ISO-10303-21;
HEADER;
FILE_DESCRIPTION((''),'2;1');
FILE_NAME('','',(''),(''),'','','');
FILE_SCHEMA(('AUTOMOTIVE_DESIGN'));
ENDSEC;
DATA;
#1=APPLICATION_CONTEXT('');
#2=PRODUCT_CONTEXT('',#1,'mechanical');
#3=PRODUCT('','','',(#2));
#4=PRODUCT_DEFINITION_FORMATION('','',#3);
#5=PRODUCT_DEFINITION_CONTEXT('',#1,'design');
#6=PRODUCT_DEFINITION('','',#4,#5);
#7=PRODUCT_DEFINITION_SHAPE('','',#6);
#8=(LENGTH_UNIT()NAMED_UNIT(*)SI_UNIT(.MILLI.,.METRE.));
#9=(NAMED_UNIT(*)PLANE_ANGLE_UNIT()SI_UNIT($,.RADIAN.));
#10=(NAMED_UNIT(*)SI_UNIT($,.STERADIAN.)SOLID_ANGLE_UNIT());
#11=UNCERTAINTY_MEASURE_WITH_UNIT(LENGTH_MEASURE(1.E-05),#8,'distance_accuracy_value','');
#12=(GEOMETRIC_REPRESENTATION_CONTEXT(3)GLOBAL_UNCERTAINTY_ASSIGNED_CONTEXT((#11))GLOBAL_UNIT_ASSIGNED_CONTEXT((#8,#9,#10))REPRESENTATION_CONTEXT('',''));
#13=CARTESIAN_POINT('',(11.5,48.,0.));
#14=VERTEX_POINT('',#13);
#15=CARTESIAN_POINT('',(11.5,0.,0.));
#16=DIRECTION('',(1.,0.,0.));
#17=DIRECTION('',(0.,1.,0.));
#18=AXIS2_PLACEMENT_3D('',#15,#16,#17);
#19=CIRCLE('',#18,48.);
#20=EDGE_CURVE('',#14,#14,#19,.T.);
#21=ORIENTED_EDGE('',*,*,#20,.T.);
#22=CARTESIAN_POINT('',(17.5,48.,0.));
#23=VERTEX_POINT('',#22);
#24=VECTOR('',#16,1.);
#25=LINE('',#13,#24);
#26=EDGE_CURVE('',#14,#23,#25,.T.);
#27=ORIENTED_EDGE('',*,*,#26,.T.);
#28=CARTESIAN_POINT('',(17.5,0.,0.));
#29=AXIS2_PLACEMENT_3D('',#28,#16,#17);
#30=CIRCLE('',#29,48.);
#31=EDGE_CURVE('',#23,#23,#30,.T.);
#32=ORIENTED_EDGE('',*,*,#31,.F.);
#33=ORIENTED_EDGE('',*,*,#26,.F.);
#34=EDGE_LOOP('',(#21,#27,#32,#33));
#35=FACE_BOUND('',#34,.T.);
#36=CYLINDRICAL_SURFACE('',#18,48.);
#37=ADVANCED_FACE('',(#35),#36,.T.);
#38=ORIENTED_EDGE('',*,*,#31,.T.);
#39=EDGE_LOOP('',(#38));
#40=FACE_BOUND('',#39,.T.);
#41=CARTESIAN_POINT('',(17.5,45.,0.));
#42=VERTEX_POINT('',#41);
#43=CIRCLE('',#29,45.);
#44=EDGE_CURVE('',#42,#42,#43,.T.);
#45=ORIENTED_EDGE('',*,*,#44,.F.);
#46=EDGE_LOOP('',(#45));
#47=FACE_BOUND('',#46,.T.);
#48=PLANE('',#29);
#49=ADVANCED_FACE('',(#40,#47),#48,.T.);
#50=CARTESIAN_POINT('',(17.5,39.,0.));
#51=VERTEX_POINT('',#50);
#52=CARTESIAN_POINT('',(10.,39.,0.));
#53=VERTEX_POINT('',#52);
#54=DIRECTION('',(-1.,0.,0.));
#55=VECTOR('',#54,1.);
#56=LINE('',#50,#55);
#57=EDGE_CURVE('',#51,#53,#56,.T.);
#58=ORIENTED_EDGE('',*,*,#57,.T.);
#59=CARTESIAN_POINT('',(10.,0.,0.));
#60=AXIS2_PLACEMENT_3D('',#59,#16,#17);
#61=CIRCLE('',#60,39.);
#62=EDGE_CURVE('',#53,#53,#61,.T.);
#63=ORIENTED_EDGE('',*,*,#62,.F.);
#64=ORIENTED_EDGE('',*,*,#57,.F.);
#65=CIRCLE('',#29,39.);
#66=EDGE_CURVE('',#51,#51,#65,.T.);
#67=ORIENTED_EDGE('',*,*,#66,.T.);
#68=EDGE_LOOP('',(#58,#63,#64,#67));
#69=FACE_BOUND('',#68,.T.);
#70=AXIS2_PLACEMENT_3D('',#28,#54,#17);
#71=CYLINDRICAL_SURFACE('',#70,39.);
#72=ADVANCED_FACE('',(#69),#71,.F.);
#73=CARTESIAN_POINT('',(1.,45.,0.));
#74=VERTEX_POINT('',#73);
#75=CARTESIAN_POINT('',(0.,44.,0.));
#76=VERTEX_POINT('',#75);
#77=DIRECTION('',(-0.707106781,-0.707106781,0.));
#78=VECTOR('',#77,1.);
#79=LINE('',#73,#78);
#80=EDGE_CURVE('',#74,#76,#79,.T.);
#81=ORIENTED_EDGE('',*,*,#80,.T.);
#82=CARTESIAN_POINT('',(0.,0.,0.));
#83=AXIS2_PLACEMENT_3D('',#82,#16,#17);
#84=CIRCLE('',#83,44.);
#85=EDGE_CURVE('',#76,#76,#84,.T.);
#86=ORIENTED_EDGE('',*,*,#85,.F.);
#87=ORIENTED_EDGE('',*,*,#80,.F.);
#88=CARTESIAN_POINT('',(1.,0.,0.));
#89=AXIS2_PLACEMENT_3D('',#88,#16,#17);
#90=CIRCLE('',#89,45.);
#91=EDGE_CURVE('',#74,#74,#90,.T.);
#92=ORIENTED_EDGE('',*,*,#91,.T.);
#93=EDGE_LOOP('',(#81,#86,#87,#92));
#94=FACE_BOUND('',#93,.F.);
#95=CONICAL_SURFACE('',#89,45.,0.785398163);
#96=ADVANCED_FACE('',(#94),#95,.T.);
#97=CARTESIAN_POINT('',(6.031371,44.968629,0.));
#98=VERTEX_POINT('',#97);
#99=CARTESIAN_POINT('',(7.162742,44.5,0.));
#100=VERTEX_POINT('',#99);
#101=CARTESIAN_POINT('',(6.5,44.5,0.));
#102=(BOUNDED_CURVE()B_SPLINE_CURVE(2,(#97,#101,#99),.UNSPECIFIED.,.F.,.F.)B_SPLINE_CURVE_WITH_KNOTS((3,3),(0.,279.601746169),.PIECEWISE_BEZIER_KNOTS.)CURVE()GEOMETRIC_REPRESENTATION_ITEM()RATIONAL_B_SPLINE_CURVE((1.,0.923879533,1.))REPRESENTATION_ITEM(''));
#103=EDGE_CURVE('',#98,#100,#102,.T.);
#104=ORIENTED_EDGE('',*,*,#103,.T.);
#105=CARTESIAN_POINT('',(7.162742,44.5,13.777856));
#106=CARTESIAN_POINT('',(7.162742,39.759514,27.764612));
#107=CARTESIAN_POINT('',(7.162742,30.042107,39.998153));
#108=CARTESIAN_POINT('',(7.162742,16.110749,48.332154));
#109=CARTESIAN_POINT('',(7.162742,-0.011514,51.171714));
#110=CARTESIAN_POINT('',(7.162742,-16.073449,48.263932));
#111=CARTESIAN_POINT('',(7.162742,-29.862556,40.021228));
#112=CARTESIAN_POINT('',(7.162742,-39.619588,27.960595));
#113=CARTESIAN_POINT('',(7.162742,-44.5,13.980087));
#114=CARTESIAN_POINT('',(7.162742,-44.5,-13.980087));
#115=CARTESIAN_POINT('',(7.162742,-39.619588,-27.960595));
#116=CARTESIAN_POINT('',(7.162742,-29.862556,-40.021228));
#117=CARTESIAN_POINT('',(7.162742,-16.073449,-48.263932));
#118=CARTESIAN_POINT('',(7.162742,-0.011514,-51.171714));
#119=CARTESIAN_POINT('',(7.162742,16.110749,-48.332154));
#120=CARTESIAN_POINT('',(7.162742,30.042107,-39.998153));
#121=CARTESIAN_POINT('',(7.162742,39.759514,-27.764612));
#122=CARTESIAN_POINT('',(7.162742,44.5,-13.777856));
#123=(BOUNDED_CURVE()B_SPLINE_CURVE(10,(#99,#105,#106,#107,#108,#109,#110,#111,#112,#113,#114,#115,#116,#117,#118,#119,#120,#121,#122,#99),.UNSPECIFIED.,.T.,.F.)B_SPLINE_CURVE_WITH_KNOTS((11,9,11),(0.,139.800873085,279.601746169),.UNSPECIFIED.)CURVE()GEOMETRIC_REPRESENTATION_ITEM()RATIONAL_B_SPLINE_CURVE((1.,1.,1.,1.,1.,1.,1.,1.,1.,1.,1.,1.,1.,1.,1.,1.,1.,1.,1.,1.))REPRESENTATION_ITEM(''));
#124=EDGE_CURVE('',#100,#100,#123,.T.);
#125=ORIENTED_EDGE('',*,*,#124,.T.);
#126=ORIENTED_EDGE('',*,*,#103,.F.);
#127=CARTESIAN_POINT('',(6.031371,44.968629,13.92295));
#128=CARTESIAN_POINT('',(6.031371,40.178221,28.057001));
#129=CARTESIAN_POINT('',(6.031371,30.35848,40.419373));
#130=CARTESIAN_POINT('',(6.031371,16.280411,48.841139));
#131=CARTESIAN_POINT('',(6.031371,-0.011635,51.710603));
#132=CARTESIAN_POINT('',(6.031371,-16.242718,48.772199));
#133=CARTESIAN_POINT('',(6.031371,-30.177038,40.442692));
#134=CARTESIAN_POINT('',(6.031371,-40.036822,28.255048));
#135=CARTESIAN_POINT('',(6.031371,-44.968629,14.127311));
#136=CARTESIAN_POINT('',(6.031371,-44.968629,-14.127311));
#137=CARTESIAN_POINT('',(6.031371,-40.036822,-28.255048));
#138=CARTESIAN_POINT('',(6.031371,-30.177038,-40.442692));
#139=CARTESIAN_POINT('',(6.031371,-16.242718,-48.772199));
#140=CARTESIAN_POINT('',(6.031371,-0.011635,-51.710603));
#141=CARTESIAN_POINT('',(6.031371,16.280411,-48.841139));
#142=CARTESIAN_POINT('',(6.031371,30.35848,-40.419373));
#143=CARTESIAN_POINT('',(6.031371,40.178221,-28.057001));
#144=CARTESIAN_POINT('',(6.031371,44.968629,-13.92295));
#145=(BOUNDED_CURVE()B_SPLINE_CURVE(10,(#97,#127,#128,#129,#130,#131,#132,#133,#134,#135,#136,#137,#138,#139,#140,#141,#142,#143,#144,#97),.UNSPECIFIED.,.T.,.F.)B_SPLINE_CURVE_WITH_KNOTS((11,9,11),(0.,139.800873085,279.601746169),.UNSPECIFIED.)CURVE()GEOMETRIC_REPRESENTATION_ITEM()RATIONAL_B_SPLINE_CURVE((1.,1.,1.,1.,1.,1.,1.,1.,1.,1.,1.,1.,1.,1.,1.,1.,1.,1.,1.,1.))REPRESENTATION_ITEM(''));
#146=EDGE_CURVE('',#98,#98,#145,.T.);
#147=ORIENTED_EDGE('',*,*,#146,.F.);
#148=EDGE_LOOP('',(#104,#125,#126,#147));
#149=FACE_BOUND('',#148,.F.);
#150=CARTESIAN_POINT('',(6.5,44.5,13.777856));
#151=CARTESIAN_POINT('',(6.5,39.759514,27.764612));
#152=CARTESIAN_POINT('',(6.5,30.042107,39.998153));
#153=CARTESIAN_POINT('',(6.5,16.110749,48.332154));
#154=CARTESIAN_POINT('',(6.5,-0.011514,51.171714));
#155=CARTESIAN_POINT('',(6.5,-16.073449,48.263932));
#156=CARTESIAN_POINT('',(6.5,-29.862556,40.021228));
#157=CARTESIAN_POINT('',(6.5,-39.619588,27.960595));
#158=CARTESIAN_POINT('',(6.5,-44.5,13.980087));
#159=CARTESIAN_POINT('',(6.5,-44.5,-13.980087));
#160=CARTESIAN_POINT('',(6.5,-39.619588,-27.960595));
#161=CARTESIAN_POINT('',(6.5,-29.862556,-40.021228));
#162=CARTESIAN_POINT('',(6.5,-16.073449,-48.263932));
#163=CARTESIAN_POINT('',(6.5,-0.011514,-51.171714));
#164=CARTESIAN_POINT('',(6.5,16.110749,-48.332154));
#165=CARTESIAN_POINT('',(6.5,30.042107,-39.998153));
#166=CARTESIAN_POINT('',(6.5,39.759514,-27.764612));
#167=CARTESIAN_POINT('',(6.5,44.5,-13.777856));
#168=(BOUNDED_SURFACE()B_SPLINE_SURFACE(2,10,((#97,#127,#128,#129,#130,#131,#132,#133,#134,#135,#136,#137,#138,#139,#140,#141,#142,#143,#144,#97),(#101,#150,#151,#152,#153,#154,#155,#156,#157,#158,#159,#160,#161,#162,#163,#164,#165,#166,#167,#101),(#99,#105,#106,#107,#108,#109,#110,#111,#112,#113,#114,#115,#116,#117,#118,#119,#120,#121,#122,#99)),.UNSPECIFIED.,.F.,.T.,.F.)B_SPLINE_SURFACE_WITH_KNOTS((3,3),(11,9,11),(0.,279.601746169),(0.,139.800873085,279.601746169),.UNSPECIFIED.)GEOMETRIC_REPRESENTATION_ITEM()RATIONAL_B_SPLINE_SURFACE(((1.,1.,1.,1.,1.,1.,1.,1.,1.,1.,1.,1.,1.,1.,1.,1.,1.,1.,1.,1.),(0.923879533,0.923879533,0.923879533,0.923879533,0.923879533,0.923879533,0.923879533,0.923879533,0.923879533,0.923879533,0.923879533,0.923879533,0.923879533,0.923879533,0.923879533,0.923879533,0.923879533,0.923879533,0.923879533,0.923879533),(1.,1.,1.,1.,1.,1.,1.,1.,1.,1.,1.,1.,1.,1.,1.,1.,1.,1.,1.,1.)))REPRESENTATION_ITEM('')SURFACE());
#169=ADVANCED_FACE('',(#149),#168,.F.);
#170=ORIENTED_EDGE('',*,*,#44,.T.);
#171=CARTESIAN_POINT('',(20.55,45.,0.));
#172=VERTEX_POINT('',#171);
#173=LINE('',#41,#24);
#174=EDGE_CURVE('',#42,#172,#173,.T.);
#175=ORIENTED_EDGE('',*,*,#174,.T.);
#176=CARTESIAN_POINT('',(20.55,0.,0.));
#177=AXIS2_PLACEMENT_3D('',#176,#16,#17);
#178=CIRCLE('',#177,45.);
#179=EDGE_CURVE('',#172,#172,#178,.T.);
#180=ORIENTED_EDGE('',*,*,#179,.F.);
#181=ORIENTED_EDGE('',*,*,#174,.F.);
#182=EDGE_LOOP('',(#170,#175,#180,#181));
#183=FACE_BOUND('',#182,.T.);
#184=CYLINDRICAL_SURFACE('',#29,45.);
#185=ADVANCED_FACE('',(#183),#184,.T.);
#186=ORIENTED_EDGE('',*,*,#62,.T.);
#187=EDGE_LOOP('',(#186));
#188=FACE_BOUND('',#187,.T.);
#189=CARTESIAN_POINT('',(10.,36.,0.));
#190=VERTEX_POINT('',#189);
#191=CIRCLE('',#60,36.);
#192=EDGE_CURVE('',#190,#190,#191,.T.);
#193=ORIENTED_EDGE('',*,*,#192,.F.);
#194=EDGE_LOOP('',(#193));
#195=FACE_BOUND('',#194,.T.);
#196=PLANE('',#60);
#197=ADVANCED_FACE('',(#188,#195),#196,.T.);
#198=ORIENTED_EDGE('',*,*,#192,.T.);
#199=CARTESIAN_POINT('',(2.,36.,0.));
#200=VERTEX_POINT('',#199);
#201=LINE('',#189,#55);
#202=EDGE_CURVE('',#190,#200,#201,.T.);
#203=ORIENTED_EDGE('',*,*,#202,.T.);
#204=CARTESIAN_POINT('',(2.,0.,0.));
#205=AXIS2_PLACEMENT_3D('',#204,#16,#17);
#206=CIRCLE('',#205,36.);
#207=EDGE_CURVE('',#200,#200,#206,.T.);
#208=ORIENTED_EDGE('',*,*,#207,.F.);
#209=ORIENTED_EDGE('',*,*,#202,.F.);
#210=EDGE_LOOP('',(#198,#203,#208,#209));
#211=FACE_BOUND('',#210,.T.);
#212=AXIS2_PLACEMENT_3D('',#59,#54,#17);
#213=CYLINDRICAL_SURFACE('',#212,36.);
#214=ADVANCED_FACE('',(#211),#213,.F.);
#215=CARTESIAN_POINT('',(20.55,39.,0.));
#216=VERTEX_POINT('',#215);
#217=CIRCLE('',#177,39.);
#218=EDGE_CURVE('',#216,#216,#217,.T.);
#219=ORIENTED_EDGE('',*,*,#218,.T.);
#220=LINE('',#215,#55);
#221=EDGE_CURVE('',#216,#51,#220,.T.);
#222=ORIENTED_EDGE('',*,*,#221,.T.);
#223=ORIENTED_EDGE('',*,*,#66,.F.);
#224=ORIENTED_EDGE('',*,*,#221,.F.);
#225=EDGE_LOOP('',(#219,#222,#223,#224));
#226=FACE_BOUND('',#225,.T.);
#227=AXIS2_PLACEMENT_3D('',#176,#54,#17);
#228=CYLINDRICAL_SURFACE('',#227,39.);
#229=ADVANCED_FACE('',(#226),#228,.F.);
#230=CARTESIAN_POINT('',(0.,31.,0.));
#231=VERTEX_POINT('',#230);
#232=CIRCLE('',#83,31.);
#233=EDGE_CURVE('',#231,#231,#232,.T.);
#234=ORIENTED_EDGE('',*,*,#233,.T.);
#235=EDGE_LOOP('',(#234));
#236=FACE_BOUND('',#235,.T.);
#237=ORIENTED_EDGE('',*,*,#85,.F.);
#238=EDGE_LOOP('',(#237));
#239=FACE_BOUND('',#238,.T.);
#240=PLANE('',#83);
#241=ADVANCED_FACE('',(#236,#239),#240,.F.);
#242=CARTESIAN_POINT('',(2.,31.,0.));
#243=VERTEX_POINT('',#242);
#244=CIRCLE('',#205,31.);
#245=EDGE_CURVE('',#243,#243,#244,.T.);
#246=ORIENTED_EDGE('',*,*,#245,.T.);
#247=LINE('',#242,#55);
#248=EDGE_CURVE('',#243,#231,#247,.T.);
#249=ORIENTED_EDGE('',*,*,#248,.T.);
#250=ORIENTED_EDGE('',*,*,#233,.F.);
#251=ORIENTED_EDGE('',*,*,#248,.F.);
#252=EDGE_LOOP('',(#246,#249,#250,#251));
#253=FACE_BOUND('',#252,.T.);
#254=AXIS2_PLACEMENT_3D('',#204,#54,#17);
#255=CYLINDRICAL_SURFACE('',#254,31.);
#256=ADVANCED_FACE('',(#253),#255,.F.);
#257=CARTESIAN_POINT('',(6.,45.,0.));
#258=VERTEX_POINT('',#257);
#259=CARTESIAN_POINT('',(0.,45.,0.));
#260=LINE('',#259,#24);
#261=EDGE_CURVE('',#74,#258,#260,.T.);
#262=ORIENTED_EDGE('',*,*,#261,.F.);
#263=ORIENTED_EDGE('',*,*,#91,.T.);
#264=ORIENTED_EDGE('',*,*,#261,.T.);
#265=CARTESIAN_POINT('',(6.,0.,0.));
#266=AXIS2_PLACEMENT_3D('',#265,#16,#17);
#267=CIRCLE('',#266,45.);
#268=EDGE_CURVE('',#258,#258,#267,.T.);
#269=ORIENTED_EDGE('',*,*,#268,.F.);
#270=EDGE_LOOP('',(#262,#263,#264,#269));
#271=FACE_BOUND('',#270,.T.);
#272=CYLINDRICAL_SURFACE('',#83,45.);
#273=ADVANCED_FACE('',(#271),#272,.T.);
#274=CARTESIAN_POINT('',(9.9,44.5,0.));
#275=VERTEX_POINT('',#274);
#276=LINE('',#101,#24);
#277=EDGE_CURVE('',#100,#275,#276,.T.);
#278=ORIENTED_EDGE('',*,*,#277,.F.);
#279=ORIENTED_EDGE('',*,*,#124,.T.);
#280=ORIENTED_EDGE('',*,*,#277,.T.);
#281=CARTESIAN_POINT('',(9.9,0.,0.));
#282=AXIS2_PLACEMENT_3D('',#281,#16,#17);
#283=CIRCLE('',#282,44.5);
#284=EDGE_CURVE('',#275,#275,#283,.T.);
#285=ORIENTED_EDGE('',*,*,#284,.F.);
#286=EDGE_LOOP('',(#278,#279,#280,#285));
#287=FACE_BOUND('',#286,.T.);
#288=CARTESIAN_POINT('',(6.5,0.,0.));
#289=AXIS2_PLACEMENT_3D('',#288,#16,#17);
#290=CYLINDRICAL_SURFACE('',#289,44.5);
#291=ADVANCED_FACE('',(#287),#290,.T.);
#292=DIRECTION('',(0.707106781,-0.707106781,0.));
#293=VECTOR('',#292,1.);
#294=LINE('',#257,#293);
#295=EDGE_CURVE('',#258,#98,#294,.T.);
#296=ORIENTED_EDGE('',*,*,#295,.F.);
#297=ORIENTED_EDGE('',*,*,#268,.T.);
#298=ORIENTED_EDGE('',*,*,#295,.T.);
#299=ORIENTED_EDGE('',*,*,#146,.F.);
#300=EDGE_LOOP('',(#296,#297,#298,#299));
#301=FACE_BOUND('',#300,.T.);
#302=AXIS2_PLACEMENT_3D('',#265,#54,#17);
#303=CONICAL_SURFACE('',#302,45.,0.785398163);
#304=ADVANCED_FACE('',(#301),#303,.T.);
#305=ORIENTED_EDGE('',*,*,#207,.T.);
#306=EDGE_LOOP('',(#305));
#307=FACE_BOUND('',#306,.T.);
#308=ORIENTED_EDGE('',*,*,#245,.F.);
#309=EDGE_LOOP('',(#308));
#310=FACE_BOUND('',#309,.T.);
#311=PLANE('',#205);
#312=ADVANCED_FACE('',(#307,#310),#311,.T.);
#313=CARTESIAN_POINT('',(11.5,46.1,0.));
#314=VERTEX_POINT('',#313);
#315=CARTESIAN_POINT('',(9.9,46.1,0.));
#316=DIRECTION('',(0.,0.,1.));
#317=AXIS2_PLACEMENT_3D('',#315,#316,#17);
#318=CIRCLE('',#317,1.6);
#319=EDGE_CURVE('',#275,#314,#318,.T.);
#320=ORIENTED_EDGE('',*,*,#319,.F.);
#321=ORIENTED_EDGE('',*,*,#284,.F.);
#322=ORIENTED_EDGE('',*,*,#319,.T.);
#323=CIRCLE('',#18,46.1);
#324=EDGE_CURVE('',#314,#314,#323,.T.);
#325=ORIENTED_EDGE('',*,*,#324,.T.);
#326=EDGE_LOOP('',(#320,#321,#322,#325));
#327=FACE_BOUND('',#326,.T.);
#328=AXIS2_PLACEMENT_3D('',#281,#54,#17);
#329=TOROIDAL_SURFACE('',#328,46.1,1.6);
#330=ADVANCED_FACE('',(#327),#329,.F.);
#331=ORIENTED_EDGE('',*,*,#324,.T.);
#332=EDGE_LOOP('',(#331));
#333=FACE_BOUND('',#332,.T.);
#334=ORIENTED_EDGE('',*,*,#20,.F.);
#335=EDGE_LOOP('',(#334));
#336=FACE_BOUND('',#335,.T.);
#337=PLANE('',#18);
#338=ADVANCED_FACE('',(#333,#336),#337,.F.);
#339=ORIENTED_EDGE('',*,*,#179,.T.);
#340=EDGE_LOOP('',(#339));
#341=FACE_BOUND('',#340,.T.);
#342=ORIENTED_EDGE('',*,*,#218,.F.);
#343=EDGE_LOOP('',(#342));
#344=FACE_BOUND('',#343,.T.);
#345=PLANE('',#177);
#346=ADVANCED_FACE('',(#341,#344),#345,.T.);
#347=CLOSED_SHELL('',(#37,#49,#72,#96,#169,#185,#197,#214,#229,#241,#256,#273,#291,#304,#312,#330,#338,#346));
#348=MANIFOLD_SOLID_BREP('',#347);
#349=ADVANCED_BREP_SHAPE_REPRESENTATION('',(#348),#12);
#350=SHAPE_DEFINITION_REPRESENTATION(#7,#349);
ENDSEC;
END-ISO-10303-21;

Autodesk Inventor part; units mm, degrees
ref_plane "YZ Plane" through (0, 0, 0) normal (1, 0, 0) x (0, 1, 0)
ref_plane "XZ Plane" through (0, 0, 0) normal (0, 1, 0) x (-1, 0, 0)
ref_plane "XY Plane" through (0, 0, 0) normal (0, 0, 1) x (1, 0, 0)
sketch "Эскиз1" plane through (0, 0, 0) normal (0, 0, 1) x (1, 0, 0)
  line L0 (0, 31) -> (0, 45)
  line L1 (0, 45) -> (6, 45)
  line L2 (6, 45) -> (6.5, 44.5)
  line L3 (6.5, 44.5) -> (11.5, 44.5)
  line L4 (11.5, 44.5) -> (11.5, 48)
  line L5 (11.5, 48) -> (17.5, 48)
  line L6 (17.5, 48) -> (17.5, 45)
  line L7 (17.5, 39) -> (10, 39)
  line L8 (10, 39) -> (10, 36)
  line L9 (10, 36) -> (2, 36)
  line L10 (2, 36) -> (2, 31)
  line L11 (2, 31) -> (0, 31)
  line L12 (0, 0) -> (122.1011, 0) construction
  line L13 (17.5, 45) -> (20.55, 45)
  line L14 (20.55, 45) -> (20.55, 39)
  line L15 (20.55, 39) -> (17.5, 39)
  dimension "d0" = 90
  dimension "d1" = 72
  dimension "d2" = 5
  dimension "d4" = 5
  dimension "d5" = 6
  dimension "d7" = 45
  dimension "d8" = 0.5
  dimension "d9" = 9
  dimension "d10" = 6
  dimension "d12" = 2
  dimension "d19" = 96
  dimension "d20" = 10
  dimension "d24" = 3.05
revolve "Вращение1" add sketch "Эскиз1" angle 360 about axis through (0, 0, 0) along (1, 0, 0)
fillet "Сопряжение1" radius 1.6 2 edges at (6.5, -44.5, 0) (11.5, -44.5, 0)
chamfer "Фаска1" distance 1 angle 45 2 edges at (0, -45, 0) (17.5, -39, 0)
properties part number "Крышка тих_выход"
